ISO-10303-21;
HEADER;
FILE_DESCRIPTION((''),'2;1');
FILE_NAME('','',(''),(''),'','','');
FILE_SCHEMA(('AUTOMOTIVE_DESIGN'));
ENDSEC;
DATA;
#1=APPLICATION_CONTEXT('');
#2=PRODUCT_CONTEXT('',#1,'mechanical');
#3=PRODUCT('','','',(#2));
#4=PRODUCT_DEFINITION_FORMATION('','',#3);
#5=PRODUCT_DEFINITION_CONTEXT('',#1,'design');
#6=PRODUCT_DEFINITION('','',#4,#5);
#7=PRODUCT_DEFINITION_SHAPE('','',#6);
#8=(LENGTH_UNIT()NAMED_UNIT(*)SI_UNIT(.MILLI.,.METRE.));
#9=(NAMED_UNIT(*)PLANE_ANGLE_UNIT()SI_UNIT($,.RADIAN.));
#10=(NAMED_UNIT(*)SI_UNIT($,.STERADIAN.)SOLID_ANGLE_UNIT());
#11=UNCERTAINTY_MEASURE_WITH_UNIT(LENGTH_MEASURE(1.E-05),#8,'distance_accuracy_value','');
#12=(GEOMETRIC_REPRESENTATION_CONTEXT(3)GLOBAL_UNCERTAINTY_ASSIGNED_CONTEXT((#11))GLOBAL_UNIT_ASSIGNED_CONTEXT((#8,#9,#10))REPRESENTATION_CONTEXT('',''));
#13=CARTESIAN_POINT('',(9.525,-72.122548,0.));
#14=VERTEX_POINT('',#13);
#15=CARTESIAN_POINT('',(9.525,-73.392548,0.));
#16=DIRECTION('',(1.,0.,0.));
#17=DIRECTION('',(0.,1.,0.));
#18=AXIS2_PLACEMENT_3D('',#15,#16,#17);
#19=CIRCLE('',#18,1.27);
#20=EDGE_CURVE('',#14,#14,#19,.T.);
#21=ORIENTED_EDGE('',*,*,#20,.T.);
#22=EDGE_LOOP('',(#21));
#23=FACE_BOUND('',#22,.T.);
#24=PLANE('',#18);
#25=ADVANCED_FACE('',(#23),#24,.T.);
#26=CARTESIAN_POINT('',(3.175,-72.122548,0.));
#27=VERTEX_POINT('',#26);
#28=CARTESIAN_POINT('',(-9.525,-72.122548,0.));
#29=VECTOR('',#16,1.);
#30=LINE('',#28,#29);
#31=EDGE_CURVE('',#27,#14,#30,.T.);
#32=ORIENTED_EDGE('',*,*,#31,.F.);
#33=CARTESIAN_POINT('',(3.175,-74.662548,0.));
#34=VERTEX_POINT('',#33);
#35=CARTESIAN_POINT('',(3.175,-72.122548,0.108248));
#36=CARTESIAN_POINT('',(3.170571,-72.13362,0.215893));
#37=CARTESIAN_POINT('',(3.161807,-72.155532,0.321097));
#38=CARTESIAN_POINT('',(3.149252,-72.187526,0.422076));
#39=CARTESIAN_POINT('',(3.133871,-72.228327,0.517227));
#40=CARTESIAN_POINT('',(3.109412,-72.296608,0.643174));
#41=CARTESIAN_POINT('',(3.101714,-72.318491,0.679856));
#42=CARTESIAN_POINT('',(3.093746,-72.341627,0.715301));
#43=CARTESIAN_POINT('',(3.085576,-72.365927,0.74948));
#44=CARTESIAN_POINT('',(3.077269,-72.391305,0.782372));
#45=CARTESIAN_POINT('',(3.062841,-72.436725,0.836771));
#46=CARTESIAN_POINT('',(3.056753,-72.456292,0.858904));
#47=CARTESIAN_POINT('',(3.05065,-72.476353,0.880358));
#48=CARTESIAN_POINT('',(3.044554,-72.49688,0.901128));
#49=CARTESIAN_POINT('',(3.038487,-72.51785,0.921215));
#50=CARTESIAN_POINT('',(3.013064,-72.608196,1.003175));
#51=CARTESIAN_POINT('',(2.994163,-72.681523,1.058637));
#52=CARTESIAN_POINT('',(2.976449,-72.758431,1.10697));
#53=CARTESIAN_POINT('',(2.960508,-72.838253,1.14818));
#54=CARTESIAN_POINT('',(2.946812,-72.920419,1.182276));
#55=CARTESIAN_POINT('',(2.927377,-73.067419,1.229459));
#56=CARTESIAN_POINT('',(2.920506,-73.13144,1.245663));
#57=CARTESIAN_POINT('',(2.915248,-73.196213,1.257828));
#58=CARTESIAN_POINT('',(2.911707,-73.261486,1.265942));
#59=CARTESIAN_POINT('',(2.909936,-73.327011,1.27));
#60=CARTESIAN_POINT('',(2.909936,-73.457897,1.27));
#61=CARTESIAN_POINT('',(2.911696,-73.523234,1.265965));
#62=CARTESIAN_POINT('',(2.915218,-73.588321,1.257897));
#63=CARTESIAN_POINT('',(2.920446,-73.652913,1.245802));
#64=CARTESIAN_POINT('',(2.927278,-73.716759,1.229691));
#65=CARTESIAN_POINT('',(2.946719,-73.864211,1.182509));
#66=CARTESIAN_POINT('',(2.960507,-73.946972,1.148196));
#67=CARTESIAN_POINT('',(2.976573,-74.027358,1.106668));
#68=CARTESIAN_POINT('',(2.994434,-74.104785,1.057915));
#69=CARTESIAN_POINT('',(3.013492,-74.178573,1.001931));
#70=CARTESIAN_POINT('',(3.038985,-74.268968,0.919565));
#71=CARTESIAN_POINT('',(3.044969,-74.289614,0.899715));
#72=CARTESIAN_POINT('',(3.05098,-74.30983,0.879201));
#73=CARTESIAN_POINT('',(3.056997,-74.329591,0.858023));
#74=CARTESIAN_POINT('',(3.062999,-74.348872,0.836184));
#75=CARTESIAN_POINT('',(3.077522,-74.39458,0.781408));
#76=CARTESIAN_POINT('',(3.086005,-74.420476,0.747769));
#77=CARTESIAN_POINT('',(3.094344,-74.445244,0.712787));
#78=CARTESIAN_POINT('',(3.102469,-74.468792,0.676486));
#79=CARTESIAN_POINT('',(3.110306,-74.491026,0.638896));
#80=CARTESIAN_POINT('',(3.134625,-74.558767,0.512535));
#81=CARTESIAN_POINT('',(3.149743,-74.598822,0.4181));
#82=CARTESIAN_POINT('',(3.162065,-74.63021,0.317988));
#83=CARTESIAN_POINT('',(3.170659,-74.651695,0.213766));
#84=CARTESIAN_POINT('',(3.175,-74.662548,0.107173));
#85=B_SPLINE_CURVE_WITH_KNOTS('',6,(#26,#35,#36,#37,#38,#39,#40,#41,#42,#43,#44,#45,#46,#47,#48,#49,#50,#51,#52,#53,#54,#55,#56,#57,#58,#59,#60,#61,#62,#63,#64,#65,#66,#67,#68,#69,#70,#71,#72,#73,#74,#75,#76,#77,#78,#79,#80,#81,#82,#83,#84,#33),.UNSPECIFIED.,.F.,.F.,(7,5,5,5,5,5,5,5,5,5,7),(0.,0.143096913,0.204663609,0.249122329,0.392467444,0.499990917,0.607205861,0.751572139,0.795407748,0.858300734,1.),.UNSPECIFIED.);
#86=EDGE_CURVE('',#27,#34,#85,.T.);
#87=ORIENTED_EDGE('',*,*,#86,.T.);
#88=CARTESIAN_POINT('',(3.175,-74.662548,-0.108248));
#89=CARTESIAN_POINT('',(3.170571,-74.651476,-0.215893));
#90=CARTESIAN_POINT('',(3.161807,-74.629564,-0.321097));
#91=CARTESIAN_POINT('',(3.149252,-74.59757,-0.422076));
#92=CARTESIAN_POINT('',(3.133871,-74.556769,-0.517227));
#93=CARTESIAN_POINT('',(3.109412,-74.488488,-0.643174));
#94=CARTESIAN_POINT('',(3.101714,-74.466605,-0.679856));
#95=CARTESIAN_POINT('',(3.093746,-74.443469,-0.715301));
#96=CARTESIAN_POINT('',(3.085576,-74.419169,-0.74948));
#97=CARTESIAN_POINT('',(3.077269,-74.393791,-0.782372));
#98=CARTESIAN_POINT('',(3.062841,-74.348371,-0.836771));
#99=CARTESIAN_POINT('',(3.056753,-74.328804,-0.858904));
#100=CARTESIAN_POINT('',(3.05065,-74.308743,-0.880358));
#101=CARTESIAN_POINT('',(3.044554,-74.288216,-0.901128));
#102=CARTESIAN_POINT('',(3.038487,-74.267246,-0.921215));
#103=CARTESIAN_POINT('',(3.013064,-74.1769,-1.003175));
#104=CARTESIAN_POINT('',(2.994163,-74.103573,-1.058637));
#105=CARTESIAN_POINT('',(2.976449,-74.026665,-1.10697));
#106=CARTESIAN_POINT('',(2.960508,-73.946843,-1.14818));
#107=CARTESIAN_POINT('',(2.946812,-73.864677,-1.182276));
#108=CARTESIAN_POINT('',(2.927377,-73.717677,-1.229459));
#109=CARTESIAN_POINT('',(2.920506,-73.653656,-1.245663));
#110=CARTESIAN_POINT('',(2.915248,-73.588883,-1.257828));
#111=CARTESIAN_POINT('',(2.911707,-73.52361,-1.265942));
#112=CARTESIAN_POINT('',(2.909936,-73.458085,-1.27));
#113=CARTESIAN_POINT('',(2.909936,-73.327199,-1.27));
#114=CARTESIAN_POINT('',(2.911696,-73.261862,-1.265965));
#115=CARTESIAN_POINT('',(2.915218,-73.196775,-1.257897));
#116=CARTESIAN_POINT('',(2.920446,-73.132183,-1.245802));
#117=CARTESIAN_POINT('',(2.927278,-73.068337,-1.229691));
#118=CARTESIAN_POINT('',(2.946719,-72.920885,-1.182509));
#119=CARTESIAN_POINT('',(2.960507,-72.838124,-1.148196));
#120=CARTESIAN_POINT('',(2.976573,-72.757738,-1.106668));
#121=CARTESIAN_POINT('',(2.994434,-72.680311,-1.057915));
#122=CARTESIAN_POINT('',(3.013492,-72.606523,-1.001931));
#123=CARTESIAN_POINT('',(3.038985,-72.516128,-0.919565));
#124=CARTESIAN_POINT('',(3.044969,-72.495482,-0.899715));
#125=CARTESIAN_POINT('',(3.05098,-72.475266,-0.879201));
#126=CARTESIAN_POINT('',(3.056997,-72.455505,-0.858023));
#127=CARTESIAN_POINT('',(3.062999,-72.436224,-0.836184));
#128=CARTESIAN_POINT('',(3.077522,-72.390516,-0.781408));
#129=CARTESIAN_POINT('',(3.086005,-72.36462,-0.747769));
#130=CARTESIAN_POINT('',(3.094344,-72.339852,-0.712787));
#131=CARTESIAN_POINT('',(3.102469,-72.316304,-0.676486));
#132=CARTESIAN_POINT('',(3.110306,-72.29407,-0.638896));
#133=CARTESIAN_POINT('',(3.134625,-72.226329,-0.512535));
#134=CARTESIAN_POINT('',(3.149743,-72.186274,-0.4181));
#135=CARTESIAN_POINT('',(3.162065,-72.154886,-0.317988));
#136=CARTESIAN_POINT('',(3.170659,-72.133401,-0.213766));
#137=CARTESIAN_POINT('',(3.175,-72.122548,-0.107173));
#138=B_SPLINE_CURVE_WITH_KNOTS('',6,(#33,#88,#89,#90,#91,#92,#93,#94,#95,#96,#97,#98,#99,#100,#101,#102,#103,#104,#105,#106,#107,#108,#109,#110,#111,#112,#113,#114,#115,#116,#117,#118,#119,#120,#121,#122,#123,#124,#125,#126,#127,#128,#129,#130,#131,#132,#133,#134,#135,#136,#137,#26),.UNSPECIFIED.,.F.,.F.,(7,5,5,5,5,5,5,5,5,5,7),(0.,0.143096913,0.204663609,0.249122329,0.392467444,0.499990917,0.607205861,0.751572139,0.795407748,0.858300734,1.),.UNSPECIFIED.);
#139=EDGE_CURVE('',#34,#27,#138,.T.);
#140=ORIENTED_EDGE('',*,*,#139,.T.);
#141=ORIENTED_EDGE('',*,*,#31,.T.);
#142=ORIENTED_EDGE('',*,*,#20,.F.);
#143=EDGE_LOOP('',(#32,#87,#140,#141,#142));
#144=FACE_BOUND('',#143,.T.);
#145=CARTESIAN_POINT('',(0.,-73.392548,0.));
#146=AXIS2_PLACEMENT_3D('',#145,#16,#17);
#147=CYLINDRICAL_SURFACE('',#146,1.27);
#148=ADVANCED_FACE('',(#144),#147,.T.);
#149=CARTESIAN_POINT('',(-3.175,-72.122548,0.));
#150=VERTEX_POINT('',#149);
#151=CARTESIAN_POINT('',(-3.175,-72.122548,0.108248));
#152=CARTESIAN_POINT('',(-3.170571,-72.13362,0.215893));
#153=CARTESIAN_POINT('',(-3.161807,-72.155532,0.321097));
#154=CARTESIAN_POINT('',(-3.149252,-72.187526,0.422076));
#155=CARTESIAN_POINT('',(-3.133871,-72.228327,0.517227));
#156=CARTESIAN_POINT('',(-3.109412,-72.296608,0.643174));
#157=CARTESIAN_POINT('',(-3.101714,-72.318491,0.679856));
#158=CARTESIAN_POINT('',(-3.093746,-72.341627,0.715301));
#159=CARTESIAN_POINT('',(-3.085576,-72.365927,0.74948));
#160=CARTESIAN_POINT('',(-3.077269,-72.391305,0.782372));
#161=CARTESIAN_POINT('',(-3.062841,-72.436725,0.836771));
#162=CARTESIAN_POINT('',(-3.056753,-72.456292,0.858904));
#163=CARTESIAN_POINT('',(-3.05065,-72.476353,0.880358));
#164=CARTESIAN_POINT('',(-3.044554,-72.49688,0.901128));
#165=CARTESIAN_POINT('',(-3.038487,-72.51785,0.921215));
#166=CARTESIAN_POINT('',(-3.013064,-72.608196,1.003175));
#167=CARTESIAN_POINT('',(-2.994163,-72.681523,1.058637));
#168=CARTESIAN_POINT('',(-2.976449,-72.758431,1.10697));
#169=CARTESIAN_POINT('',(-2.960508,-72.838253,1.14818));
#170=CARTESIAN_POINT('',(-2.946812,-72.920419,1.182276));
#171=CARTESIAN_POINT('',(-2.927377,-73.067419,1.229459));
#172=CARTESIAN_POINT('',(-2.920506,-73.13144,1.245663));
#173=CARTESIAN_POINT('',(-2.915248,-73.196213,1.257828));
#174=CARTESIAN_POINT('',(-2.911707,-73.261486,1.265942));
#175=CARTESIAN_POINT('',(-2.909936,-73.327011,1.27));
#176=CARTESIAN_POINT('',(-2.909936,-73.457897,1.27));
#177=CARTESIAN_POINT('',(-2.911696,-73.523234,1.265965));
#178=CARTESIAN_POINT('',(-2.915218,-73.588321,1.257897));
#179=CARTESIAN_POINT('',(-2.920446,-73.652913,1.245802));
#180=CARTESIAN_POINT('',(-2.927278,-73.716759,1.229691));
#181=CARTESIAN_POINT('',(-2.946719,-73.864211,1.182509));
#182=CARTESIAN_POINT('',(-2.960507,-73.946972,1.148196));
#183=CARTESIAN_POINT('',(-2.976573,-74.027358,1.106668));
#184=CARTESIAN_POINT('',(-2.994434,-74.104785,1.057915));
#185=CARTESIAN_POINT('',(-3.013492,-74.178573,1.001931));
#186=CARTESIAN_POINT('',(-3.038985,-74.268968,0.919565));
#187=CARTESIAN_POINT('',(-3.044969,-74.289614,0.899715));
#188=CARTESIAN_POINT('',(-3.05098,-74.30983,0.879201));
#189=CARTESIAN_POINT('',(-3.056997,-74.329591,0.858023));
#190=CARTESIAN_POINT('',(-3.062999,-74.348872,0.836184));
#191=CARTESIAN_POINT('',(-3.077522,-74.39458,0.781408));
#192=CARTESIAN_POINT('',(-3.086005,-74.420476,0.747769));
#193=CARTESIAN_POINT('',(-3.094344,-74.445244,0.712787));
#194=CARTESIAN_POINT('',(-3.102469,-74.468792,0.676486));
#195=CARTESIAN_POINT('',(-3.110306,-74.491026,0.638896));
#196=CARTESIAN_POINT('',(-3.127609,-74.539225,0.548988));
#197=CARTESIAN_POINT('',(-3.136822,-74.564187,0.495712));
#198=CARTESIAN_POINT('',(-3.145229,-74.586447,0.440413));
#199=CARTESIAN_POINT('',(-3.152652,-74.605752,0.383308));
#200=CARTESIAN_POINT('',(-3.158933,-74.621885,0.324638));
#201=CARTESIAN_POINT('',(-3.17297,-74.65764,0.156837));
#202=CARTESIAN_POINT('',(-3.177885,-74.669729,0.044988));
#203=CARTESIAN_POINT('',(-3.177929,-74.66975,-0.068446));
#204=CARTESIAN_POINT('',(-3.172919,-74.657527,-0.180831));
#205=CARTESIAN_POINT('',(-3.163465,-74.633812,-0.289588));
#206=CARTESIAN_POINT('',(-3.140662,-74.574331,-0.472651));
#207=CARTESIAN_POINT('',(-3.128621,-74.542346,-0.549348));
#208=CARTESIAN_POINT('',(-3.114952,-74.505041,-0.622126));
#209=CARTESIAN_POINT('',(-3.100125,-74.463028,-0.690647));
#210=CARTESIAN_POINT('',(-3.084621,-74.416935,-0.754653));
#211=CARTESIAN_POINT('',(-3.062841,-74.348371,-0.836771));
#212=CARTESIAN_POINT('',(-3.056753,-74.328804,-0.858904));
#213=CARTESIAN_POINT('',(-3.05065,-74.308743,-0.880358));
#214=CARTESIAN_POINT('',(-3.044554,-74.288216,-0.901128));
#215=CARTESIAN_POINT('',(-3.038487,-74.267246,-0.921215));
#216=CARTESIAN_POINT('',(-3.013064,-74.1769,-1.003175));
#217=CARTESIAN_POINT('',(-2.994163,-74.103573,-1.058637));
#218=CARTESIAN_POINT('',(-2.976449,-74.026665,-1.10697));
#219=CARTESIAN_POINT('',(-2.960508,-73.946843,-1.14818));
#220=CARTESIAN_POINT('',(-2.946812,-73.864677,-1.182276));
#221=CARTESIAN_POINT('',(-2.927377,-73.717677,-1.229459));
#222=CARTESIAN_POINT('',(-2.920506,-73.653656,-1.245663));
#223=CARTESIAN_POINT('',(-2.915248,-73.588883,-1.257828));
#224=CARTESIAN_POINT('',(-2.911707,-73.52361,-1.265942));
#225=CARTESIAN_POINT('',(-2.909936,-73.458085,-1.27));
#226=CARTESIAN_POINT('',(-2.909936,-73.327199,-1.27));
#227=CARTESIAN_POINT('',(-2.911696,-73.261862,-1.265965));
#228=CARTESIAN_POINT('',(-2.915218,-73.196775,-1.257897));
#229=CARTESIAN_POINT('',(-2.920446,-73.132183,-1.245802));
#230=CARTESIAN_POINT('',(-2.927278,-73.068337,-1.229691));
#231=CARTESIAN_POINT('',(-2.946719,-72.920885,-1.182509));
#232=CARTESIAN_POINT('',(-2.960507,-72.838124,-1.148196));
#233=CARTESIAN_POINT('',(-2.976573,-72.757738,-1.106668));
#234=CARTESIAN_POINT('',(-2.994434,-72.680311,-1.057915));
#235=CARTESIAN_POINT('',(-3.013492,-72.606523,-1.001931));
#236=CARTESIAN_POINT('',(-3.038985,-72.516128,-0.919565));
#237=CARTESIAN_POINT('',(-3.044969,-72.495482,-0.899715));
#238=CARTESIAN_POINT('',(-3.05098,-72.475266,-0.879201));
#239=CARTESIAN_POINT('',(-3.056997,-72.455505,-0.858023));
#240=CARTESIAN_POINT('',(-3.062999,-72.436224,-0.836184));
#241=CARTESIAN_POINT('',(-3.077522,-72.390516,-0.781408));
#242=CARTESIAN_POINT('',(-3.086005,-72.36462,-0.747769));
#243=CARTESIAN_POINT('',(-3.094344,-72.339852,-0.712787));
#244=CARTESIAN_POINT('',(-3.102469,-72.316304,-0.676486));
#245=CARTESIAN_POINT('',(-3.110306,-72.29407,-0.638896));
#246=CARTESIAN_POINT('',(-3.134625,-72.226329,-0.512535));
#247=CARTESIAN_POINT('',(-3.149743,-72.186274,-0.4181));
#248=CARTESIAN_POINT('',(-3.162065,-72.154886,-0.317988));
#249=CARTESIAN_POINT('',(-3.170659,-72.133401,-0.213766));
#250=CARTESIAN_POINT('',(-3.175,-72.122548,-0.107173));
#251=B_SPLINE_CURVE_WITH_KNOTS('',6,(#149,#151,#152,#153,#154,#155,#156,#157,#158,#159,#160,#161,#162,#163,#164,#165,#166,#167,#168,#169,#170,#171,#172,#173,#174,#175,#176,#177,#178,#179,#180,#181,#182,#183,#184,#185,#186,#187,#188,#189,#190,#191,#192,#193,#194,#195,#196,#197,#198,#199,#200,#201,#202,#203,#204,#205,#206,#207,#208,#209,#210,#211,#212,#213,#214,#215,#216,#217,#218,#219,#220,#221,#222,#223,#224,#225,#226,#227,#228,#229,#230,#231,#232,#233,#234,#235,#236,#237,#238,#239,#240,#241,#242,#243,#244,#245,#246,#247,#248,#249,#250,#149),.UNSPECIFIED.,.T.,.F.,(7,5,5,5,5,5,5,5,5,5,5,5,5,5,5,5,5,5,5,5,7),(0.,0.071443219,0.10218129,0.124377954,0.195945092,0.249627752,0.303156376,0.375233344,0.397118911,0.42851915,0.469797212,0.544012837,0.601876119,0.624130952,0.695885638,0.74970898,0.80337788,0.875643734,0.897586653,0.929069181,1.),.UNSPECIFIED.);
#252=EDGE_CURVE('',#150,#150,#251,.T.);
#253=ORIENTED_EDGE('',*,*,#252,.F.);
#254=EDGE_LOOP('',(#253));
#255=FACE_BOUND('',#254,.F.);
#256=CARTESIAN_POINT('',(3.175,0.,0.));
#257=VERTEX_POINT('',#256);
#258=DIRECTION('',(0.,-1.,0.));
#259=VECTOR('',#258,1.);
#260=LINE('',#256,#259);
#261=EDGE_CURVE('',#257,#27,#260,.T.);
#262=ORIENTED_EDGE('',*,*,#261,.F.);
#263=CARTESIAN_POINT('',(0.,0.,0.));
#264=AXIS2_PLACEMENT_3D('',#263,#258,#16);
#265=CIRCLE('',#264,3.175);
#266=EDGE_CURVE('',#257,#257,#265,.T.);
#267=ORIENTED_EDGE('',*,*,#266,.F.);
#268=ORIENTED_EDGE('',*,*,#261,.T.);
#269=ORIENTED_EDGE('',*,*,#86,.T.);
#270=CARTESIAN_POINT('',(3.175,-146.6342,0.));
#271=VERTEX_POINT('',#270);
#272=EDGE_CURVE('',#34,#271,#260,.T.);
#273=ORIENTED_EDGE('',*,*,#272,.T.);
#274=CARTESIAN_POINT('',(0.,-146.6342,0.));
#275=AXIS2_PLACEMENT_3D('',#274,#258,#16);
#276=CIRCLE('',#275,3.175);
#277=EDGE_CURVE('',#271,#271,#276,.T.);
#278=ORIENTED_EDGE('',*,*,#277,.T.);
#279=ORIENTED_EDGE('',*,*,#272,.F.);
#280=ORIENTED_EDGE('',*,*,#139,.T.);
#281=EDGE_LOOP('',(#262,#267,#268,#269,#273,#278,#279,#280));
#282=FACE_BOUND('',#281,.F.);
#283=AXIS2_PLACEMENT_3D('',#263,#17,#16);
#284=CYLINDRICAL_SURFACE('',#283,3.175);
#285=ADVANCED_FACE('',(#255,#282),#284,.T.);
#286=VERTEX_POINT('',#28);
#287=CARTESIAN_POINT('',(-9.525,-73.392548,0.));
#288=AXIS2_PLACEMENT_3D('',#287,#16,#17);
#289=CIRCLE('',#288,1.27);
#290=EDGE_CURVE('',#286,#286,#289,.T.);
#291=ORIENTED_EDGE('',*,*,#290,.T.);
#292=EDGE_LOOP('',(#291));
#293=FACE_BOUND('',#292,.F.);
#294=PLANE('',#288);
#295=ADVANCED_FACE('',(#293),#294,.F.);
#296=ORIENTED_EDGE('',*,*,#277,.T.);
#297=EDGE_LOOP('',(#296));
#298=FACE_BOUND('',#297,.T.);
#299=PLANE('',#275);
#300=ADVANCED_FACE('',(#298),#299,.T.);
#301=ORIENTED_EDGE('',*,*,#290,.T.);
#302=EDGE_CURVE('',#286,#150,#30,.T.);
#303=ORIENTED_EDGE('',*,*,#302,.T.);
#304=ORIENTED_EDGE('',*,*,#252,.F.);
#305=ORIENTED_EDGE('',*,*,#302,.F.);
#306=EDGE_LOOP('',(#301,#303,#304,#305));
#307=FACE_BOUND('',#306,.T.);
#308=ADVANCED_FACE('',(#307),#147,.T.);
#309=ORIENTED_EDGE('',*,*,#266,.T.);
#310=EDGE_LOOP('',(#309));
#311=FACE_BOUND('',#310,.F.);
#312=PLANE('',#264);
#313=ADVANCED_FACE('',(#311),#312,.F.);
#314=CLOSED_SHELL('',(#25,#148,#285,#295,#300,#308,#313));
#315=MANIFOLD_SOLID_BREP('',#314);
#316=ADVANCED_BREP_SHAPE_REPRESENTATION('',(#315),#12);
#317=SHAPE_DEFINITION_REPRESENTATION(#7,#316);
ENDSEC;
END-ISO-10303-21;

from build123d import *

# Parameters (mm, degrees)
F0_R     = 3.175
F1_DEPTH = 146.6342
F2_R     = 1.27
F3_DEPTH = 9.525


with BuildPart() as f1:
    # F0 (on Front) → F1 (new body)
    with BuildSketch(Plane.XZ):
        Circle(F0_R)
    extrude(amount=F1_DEPTH)

    # F2 (on Right) → F3 (join, symmetric)
    with BuildSketch(Plane.YZ):
        with Locations((-73.392548, 0)):
            Circle(F2_R)
    extrude(amount=F3_DEPTH, both=True)


solid = f1.part
